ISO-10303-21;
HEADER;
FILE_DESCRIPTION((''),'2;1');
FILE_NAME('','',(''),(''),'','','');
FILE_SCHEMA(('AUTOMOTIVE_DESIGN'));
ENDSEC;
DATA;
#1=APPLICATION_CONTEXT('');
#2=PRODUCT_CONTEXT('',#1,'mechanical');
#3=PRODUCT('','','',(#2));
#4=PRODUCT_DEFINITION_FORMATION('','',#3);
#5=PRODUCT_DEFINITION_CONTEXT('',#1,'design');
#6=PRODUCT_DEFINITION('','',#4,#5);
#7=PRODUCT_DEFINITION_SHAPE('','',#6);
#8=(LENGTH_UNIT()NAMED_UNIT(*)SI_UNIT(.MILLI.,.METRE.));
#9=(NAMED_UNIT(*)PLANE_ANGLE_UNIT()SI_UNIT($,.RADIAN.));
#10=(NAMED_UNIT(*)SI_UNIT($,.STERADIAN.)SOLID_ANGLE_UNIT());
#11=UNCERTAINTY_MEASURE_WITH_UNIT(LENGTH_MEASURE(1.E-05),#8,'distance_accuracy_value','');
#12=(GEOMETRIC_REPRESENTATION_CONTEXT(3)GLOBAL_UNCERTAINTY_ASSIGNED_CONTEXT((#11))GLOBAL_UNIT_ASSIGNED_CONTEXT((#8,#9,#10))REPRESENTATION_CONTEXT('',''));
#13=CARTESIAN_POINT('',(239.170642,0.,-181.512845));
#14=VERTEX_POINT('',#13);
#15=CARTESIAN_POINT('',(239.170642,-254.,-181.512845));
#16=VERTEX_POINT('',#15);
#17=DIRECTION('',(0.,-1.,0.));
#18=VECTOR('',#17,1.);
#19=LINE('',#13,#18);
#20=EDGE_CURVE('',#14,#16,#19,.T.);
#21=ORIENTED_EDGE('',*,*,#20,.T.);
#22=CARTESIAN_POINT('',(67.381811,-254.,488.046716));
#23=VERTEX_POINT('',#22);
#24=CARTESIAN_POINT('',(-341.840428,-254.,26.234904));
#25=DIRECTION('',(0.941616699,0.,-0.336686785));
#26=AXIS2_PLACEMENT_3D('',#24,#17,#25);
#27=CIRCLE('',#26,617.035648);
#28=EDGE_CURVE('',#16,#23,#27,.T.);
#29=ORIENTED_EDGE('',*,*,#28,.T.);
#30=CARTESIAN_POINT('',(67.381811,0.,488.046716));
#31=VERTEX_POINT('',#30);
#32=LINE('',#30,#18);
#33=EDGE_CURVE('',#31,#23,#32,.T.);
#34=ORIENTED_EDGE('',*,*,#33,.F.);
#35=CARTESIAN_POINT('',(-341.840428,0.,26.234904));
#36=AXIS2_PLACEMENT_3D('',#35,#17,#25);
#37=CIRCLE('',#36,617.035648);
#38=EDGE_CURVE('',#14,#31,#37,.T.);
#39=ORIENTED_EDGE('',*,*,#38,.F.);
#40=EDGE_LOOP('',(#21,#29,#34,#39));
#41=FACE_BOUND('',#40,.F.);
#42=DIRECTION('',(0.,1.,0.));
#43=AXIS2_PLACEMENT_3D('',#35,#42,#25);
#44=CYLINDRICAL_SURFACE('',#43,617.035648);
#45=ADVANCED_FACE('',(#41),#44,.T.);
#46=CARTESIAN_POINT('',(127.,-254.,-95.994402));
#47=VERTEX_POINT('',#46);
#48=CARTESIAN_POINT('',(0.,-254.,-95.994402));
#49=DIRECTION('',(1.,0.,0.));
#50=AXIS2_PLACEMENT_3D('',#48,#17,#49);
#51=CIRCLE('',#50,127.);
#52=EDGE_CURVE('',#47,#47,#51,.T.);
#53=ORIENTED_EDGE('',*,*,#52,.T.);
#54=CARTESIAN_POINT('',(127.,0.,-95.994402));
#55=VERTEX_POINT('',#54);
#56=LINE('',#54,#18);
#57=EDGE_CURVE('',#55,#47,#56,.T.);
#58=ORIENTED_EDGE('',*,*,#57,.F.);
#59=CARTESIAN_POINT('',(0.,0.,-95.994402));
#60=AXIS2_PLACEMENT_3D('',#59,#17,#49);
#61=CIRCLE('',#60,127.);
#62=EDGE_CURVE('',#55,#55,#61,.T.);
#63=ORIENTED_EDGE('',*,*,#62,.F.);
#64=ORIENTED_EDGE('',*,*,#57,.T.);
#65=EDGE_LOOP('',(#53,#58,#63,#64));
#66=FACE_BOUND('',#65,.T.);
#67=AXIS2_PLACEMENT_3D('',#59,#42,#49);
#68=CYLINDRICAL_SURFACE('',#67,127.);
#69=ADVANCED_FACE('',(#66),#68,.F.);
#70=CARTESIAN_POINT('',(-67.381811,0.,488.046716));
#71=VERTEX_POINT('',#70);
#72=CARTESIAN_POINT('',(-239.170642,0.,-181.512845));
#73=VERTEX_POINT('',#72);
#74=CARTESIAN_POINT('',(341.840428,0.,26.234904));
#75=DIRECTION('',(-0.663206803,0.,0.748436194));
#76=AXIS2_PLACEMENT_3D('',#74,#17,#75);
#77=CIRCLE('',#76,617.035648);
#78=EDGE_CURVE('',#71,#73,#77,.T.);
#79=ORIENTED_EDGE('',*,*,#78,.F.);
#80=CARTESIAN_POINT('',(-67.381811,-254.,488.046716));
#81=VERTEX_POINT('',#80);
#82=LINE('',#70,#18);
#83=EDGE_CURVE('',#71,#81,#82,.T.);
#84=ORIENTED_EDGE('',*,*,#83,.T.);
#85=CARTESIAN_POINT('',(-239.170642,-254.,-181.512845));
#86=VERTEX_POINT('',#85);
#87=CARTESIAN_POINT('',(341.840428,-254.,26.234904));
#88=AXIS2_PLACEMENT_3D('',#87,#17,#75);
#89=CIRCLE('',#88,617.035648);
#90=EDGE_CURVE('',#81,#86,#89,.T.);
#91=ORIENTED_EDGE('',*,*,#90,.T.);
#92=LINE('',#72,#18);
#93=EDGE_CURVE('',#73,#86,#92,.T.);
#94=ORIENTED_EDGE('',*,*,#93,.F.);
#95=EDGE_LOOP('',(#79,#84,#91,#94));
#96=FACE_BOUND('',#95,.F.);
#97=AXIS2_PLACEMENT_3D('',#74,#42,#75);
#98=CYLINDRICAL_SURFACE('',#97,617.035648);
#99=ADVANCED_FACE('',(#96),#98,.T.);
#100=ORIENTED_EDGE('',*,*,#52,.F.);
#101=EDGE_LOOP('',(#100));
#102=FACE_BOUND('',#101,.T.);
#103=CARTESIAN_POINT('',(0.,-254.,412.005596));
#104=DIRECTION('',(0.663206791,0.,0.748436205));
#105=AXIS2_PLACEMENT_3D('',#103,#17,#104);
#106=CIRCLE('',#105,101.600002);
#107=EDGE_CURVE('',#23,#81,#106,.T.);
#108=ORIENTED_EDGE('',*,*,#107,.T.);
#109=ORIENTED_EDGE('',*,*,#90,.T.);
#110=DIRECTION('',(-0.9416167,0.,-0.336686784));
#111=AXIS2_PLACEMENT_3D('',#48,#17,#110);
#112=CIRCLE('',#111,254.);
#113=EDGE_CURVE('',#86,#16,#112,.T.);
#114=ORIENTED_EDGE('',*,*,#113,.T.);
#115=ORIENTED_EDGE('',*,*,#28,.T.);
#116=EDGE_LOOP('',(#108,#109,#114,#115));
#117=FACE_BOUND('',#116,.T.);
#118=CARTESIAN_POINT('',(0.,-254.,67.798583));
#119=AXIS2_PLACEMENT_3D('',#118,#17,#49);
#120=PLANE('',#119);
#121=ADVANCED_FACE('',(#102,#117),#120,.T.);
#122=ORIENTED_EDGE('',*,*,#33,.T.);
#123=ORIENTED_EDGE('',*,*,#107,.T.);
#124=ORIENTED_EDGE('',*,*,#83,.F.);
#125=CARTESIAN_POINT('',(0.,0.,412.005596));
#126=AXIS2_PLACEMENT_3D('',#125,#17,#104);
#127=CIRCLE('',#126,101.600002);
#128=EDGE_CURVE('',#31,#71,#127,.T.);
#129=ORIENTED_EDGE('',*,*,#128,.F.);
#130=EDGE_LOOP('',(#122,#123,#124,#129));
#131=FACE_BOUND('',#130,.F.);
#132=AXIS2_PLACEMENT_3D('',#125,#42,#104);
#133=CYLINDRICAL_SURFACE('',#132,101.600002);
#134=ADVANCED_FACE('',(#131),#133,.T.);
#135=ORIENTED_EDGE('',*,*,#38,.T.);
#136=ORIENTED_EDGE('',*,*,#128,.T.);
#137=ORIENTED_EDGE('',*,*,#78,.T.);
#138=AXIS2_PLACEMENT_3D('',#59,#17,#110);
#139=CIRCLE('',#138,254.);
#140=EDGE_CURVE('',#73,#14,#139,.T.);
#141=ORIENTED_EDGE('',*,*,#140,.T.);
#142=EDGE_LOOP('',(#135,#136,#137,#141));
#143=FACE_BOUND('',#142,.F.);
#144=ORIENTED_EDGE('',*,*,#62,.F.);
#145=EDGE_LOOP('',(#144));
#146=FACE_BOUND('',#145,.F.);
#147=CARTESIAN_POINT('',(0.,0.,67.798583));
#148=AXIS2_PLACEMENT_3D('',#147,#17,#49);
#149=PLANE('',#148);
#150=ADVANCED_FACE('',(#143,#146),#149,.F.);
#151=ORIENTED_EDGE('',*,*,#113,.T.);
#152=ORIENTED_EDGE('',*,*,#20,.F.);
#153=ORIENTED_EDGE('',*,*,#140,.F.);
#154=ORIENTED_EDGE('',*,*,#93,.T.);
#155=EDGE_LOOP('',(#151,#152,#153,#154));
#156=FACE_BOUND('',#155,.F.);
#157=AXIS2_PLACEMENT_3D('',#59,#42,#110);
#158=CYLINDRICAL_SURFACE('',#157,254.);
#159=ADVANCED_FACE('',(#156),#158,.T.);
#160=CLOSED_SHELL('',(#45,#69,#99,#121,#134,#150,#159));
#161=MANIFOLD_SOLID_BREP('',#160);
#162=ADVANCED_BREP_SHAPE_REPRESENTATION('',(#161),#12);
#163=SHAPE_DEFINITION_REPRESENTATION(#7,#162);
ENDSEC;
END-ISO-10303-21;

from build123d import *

# Parameters (mm, degrees)
F0_R     = 127
F1_DEPTH = 254


with BuildPart() as f1:
    # F0 (on Front) → F1 (new body)
    with BuildSketch(Plane.XZ):
        with BuildLine():
            ThreePointArc((-67.381811, 488.046716), (-255.836745, 179.580877), (-239.170642, -181.512845))
            ThreePointArc((-239.170642, -181.512845), (0, -349.994402), (239.170642, -181.512845))
            ThreePointArc((239.170642, -181.512845), (255.836745, 179.580877), (67.381811, 488.046716))
            ThreePointArc((67.381811, 488.046716), (0, 513.605598), (-67.381811, 488.046716))
        make_face()
        with Locations((0, -95.994402)):
            Circle(F0_R, mode=Mode.SUBTRACT)
    extrude(amount=F1_DEPTH)


solid = f1.part
